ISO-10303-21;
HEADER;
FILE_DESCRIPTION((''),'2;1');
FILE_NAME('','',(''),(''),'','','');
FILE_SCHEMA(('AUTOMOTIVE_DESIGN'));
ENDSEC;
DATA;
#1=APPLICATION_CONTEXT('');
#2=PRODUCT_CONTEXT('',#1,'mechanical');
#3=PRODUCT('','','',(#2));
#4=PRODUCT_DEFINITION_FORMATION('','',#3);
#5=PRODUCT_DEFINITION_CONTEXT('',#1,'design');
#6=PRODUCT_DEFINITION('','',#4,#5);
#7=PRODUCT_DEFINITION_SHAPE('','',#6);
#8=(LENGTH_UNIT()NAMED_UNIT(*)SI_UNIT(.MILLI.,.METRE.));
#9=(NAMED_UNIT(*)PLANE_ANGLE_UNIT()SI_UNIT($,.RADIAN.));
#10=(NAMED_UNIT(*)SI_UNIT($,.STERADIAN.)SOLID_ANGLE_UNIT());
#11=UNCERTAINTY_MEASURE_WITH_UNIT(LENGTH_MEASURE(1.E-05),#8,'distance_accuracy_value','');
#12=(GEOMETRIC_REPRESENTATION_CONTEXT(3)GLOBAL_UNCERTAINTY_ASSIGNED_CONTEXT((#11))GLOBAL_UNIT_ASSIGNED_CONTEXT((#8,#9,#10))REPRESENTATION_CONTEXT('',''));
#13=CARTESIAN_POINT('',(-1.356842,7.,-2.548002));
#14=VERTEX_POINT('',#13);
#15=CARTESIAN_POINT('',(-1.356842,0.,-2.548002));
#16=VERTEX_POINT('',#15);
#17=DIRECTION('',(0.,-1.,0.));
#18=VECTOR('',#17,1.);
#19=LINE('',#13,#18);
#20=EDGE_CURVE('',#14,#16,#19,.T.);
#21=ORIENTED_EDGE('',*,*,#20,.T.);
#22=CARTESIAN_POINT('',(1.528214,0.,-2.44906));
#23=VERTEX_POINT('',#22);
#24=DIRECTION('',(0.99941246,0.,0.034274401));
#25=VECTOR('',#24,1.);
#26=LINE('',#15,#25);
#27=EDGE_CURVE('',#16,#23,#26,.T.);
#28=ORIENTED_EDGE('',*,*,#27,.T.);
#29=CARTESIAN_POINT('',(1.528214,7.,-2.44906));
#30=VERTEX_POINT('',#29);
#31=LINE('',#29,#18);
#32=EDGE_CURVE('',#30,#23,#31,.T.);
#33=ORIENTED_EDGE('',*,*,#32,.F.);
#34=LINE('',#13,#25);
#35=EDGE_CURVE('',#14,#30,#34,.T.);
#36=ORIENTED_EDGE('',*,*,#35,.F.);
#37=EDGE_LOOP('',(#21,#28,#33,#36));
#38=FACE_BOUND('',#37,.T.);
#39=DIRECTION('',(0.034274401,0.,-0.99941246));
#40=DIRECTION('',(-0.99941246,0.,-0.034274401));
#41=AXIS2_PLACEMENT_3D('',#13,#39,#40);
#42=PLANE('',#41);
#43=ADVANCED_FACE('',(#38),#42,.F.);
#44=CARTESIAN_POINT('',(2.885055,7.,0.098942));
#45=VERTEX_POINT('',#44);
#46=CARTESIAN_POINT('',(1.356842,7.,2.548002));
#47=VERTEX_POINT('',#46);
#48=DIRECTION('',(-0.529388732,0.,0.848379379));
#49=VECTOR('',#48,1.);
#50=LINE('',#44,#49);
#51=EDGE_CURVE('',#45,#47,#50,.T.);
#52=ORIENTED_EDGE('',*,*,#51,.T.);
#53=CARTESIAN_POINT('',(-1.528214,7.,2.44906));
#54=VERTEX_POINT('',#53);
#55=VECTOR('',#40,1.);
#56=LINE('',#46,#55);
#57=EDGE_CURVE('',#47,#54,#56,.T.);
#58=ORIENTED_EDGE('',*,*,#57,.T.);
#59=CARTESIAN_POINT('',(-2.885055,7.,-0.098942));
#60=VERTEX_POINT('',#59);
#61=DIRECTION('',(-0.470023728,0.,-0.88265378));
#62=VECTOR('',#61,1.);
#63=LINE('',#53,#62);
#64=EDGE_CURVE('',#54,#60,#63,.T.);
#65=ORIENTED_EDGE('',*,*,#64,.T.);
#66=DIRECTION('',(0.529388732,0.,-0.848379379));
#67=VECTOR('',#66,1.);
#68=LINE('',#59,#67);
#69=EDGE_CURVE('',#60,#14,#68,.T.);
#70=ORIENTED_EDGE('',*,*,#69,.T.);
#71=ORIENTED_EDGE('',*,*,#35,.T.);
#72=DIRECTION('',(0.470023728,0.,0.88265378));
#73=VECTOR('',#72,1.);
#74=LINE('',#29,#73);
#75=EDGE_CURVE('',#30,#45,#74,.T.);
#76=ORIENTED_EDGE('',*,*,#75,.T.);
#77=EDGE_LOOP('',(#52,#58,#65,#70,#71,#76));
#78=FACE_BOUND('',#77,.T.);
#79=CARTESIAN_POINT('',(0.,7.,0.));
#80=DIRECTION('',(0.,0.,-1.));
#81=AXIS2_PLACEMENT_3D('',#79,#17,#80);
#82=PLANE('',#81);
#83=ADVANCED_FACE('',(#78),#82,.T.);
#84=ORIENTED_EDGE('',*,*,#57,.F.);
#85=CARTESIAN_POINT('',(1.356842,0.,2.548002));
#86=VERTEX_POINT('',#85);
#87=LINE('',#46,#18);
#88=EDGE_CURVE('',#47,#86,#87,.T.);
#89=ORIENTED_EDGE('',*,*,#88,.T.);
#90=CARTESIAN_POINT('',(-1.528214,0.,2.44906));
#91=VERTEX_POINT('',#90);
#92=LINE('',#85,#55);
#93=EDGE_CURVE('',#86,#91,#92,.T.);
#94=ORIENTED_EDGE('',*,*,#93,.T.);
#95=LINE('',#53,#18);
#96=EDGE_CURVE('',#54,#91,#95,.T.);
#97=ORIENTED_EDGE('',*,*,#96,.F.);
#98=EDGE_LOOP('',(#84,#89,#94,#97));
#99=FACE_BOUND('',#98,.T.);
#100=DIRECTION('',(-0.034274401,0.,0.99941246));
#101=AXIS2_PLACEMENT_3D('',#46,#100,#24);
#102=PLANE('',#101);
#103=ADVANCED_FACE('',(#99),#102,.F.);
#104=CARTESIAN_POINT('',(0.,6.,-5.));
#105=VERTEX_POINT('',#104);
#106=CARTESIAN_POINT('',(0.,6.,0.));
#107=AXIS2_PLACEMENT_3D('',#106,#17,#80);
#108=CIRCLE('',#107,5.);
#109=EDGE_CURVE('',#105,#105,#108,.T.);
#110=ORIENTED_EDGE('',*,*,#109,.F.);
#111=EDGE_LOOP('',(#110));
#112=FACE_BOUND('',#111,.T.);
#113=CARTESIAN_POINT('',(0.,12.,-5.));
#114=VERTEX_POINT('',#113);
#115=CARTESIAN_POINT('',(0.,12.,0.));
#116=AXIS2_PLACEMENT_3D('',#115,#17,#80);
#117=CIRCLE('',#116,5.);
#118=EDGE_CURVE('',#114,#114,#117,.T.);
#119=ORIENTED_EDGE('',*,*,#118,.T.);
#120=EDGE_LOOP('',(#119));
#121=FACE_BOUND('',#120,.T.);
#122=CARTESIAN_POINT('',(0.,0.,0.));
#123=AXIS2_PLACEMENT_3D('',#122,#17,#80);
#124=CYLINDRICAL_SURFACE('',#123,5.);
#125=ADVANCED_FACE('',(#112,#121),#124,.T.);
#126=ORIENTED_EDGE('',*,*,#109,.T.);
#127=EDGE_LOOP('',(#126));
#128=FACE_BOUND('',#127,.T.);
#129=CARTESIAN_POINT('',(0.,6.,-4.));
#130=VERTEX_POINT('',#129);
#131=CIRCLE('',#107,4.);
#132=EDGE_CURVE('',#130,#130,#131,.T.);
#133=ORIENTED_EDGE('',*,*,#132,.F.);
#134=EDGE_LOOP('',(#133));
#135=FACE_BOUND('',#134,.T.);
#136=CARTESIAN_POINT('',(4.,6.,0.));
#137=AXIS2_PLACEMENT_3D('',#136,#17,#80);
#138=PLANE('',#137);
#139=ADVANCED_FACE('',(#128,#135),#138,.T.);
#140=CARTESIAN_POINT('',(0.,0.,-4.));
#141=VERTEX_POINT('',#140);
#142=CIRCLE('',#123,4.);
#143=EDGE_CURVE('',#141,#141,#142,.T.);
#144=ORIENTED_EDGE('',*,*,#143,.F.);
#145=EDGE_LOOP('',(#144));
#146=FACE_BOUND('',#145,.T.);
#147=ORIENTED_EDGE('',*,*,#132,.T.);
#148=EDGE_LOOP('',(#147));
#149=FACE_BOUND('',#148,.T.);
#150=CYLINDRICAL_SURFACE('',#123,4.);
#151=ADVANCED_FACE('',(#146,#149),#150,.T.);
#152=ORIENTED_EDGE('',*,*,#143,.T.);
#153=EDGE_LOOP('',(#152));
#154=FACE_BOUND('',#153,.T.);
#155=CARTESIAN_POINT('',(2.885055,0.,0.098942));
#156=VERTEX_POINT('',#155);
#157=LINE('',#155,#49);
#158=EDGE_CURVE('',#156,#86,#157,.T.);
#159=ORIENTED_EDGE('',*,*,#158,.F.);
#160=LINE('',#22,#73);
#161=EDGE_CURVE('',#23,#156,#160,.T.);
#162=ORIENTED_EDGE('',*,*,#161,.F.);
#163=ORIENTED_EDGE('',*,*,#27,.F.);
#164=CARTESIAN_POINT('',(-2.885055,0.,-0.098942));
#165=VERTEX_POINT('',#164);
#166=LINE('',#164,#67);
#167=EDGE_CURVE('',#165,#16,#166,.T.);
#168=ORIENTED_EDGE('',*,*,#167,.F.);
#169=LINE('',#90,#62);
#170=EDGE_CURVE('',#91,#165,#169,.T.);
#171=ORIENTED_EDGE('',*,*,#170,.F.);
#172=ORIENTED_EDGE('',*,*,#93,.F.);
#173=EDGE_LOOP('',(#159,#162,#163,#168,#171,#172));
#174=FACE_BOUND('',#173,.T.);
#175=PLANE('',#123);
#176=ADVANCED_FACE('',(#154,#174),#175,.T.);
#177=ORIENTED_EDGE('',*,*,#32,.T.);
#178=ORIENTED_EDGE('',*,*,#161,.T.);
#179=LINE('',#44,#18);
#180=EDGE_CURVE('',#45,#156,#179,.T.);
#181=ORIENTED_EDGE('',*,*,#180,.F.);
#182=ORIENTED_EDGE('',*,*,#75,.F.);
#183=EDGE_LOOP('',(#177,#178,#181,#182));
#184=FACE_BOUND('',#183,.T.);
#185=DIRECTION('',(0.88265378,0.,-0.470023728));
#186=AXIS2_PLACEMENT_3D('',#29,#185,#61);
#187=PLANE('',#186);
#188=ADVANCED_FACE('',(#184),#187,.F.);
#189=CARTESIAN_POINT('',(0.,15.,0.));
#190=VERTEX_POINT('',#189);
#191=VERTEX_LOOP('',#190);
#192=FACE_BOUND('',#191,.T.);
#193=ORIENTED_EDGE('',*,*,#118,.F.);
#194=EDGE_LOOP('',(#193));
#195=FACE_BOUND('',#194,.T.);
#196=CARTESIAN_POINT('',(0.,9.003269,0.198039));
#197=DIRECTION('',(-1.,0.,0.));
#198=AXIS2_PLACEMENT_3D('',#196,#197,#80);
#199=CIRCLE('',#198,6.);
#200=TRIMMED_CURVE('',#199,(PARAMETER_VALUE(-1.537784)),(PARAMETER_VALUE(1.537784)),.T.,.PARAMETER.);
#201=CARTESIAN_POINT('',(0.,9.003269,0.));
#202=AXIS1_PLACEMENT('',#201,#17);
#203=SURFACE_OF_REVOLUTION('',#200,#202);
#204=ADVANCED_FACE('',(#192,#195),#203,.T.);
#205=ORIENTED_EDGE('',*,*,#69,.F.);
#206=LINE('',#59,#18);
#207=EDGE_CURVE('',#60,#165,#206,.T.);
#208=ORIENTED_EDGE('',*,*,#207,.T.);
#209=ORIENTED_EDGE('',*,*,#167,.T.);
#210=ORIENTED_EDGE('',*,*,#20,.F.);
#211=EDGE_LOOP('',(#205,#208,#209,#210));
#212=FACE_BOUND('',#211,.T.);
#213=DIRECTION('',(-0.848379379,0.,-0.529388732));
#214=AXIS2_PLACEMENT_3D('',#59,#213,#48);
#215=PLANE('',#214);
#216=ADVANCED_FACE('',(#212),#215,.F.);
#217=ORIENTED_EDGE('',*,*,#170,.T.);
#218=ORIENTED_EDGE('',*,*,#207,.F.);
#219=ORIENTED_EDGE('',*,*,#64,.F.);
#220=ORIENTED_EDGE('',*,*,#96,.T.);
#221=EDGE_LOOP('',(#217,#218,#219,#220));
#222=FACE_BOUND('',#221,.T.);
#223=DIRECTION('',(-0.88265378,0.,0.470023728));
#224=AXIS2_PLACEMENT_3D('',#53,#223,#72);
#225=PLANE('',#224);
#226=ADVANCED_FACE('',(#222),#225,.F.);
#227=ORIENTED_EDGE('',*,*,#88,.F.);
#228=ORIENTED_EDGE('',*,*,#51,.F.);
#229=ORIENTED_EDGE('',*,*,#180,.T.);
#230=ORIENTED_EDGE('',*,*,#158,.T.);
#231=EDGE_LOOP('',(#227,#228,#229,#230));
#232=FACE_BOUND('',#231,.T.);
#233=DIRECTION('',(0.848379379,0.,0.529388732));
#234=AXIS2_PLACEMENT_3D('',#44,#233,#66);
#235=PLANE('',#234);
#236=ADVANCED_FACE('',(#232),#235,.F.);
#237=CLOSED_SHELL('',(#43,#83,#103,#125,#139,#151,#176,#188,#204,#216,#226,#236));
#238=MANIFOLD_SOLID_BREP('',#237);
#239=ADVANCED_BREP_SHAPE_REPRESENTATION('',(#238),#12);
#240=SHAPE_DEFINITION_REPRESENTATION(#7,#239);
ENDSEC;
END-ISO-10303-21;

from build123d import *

# Parameters (mm, degrees)
CUT_EXTRUDE_1_DEPTH = 7


with BuildPart() as part:
    # ｽｹｯﾁ1 → 回転1 (revolve)
    with BuildSketch(Plane.XY, mode=Mode.PRIVATE) as revolve_1_sk:
        with BuildLine():
            Line((0, 0), (0, 15))
            ThreePointArc((0, 15), (2.888936029, 14.148226716), (5, 12))
            Line((5, 12), (5, 6))
            Line((5, 6), (4, 6))
            Line((4, 6), (4, 0))
            Line((4, 0), (0, 0))
        make_face()
    revolve(revolve_1_sk.sketch.rotate(Axis((0, 0, 0), (0, 1, 0)), 90), axis=Axis((0, 0, 0), (0, 1, 0)))

    # ｽｹｯﾁ2 → ｶｯﾄ - 押し出し1 (cut)
    with BuildSketch(Plane.XZ):
        Polygon((1.528213635, -2.449060313), (2.885055264, 0.098941674), (1.356841629, 2.548001987), (-1.528213635, 2.449060313), (-2.885055264, -0.098941674), (-1.356841629, -2.548001987), align=None)
    extrude(amount=-CUT_EXTRUDE_1_DEPTH, mode=Mode.SUBTRACT)


solid = part.part
